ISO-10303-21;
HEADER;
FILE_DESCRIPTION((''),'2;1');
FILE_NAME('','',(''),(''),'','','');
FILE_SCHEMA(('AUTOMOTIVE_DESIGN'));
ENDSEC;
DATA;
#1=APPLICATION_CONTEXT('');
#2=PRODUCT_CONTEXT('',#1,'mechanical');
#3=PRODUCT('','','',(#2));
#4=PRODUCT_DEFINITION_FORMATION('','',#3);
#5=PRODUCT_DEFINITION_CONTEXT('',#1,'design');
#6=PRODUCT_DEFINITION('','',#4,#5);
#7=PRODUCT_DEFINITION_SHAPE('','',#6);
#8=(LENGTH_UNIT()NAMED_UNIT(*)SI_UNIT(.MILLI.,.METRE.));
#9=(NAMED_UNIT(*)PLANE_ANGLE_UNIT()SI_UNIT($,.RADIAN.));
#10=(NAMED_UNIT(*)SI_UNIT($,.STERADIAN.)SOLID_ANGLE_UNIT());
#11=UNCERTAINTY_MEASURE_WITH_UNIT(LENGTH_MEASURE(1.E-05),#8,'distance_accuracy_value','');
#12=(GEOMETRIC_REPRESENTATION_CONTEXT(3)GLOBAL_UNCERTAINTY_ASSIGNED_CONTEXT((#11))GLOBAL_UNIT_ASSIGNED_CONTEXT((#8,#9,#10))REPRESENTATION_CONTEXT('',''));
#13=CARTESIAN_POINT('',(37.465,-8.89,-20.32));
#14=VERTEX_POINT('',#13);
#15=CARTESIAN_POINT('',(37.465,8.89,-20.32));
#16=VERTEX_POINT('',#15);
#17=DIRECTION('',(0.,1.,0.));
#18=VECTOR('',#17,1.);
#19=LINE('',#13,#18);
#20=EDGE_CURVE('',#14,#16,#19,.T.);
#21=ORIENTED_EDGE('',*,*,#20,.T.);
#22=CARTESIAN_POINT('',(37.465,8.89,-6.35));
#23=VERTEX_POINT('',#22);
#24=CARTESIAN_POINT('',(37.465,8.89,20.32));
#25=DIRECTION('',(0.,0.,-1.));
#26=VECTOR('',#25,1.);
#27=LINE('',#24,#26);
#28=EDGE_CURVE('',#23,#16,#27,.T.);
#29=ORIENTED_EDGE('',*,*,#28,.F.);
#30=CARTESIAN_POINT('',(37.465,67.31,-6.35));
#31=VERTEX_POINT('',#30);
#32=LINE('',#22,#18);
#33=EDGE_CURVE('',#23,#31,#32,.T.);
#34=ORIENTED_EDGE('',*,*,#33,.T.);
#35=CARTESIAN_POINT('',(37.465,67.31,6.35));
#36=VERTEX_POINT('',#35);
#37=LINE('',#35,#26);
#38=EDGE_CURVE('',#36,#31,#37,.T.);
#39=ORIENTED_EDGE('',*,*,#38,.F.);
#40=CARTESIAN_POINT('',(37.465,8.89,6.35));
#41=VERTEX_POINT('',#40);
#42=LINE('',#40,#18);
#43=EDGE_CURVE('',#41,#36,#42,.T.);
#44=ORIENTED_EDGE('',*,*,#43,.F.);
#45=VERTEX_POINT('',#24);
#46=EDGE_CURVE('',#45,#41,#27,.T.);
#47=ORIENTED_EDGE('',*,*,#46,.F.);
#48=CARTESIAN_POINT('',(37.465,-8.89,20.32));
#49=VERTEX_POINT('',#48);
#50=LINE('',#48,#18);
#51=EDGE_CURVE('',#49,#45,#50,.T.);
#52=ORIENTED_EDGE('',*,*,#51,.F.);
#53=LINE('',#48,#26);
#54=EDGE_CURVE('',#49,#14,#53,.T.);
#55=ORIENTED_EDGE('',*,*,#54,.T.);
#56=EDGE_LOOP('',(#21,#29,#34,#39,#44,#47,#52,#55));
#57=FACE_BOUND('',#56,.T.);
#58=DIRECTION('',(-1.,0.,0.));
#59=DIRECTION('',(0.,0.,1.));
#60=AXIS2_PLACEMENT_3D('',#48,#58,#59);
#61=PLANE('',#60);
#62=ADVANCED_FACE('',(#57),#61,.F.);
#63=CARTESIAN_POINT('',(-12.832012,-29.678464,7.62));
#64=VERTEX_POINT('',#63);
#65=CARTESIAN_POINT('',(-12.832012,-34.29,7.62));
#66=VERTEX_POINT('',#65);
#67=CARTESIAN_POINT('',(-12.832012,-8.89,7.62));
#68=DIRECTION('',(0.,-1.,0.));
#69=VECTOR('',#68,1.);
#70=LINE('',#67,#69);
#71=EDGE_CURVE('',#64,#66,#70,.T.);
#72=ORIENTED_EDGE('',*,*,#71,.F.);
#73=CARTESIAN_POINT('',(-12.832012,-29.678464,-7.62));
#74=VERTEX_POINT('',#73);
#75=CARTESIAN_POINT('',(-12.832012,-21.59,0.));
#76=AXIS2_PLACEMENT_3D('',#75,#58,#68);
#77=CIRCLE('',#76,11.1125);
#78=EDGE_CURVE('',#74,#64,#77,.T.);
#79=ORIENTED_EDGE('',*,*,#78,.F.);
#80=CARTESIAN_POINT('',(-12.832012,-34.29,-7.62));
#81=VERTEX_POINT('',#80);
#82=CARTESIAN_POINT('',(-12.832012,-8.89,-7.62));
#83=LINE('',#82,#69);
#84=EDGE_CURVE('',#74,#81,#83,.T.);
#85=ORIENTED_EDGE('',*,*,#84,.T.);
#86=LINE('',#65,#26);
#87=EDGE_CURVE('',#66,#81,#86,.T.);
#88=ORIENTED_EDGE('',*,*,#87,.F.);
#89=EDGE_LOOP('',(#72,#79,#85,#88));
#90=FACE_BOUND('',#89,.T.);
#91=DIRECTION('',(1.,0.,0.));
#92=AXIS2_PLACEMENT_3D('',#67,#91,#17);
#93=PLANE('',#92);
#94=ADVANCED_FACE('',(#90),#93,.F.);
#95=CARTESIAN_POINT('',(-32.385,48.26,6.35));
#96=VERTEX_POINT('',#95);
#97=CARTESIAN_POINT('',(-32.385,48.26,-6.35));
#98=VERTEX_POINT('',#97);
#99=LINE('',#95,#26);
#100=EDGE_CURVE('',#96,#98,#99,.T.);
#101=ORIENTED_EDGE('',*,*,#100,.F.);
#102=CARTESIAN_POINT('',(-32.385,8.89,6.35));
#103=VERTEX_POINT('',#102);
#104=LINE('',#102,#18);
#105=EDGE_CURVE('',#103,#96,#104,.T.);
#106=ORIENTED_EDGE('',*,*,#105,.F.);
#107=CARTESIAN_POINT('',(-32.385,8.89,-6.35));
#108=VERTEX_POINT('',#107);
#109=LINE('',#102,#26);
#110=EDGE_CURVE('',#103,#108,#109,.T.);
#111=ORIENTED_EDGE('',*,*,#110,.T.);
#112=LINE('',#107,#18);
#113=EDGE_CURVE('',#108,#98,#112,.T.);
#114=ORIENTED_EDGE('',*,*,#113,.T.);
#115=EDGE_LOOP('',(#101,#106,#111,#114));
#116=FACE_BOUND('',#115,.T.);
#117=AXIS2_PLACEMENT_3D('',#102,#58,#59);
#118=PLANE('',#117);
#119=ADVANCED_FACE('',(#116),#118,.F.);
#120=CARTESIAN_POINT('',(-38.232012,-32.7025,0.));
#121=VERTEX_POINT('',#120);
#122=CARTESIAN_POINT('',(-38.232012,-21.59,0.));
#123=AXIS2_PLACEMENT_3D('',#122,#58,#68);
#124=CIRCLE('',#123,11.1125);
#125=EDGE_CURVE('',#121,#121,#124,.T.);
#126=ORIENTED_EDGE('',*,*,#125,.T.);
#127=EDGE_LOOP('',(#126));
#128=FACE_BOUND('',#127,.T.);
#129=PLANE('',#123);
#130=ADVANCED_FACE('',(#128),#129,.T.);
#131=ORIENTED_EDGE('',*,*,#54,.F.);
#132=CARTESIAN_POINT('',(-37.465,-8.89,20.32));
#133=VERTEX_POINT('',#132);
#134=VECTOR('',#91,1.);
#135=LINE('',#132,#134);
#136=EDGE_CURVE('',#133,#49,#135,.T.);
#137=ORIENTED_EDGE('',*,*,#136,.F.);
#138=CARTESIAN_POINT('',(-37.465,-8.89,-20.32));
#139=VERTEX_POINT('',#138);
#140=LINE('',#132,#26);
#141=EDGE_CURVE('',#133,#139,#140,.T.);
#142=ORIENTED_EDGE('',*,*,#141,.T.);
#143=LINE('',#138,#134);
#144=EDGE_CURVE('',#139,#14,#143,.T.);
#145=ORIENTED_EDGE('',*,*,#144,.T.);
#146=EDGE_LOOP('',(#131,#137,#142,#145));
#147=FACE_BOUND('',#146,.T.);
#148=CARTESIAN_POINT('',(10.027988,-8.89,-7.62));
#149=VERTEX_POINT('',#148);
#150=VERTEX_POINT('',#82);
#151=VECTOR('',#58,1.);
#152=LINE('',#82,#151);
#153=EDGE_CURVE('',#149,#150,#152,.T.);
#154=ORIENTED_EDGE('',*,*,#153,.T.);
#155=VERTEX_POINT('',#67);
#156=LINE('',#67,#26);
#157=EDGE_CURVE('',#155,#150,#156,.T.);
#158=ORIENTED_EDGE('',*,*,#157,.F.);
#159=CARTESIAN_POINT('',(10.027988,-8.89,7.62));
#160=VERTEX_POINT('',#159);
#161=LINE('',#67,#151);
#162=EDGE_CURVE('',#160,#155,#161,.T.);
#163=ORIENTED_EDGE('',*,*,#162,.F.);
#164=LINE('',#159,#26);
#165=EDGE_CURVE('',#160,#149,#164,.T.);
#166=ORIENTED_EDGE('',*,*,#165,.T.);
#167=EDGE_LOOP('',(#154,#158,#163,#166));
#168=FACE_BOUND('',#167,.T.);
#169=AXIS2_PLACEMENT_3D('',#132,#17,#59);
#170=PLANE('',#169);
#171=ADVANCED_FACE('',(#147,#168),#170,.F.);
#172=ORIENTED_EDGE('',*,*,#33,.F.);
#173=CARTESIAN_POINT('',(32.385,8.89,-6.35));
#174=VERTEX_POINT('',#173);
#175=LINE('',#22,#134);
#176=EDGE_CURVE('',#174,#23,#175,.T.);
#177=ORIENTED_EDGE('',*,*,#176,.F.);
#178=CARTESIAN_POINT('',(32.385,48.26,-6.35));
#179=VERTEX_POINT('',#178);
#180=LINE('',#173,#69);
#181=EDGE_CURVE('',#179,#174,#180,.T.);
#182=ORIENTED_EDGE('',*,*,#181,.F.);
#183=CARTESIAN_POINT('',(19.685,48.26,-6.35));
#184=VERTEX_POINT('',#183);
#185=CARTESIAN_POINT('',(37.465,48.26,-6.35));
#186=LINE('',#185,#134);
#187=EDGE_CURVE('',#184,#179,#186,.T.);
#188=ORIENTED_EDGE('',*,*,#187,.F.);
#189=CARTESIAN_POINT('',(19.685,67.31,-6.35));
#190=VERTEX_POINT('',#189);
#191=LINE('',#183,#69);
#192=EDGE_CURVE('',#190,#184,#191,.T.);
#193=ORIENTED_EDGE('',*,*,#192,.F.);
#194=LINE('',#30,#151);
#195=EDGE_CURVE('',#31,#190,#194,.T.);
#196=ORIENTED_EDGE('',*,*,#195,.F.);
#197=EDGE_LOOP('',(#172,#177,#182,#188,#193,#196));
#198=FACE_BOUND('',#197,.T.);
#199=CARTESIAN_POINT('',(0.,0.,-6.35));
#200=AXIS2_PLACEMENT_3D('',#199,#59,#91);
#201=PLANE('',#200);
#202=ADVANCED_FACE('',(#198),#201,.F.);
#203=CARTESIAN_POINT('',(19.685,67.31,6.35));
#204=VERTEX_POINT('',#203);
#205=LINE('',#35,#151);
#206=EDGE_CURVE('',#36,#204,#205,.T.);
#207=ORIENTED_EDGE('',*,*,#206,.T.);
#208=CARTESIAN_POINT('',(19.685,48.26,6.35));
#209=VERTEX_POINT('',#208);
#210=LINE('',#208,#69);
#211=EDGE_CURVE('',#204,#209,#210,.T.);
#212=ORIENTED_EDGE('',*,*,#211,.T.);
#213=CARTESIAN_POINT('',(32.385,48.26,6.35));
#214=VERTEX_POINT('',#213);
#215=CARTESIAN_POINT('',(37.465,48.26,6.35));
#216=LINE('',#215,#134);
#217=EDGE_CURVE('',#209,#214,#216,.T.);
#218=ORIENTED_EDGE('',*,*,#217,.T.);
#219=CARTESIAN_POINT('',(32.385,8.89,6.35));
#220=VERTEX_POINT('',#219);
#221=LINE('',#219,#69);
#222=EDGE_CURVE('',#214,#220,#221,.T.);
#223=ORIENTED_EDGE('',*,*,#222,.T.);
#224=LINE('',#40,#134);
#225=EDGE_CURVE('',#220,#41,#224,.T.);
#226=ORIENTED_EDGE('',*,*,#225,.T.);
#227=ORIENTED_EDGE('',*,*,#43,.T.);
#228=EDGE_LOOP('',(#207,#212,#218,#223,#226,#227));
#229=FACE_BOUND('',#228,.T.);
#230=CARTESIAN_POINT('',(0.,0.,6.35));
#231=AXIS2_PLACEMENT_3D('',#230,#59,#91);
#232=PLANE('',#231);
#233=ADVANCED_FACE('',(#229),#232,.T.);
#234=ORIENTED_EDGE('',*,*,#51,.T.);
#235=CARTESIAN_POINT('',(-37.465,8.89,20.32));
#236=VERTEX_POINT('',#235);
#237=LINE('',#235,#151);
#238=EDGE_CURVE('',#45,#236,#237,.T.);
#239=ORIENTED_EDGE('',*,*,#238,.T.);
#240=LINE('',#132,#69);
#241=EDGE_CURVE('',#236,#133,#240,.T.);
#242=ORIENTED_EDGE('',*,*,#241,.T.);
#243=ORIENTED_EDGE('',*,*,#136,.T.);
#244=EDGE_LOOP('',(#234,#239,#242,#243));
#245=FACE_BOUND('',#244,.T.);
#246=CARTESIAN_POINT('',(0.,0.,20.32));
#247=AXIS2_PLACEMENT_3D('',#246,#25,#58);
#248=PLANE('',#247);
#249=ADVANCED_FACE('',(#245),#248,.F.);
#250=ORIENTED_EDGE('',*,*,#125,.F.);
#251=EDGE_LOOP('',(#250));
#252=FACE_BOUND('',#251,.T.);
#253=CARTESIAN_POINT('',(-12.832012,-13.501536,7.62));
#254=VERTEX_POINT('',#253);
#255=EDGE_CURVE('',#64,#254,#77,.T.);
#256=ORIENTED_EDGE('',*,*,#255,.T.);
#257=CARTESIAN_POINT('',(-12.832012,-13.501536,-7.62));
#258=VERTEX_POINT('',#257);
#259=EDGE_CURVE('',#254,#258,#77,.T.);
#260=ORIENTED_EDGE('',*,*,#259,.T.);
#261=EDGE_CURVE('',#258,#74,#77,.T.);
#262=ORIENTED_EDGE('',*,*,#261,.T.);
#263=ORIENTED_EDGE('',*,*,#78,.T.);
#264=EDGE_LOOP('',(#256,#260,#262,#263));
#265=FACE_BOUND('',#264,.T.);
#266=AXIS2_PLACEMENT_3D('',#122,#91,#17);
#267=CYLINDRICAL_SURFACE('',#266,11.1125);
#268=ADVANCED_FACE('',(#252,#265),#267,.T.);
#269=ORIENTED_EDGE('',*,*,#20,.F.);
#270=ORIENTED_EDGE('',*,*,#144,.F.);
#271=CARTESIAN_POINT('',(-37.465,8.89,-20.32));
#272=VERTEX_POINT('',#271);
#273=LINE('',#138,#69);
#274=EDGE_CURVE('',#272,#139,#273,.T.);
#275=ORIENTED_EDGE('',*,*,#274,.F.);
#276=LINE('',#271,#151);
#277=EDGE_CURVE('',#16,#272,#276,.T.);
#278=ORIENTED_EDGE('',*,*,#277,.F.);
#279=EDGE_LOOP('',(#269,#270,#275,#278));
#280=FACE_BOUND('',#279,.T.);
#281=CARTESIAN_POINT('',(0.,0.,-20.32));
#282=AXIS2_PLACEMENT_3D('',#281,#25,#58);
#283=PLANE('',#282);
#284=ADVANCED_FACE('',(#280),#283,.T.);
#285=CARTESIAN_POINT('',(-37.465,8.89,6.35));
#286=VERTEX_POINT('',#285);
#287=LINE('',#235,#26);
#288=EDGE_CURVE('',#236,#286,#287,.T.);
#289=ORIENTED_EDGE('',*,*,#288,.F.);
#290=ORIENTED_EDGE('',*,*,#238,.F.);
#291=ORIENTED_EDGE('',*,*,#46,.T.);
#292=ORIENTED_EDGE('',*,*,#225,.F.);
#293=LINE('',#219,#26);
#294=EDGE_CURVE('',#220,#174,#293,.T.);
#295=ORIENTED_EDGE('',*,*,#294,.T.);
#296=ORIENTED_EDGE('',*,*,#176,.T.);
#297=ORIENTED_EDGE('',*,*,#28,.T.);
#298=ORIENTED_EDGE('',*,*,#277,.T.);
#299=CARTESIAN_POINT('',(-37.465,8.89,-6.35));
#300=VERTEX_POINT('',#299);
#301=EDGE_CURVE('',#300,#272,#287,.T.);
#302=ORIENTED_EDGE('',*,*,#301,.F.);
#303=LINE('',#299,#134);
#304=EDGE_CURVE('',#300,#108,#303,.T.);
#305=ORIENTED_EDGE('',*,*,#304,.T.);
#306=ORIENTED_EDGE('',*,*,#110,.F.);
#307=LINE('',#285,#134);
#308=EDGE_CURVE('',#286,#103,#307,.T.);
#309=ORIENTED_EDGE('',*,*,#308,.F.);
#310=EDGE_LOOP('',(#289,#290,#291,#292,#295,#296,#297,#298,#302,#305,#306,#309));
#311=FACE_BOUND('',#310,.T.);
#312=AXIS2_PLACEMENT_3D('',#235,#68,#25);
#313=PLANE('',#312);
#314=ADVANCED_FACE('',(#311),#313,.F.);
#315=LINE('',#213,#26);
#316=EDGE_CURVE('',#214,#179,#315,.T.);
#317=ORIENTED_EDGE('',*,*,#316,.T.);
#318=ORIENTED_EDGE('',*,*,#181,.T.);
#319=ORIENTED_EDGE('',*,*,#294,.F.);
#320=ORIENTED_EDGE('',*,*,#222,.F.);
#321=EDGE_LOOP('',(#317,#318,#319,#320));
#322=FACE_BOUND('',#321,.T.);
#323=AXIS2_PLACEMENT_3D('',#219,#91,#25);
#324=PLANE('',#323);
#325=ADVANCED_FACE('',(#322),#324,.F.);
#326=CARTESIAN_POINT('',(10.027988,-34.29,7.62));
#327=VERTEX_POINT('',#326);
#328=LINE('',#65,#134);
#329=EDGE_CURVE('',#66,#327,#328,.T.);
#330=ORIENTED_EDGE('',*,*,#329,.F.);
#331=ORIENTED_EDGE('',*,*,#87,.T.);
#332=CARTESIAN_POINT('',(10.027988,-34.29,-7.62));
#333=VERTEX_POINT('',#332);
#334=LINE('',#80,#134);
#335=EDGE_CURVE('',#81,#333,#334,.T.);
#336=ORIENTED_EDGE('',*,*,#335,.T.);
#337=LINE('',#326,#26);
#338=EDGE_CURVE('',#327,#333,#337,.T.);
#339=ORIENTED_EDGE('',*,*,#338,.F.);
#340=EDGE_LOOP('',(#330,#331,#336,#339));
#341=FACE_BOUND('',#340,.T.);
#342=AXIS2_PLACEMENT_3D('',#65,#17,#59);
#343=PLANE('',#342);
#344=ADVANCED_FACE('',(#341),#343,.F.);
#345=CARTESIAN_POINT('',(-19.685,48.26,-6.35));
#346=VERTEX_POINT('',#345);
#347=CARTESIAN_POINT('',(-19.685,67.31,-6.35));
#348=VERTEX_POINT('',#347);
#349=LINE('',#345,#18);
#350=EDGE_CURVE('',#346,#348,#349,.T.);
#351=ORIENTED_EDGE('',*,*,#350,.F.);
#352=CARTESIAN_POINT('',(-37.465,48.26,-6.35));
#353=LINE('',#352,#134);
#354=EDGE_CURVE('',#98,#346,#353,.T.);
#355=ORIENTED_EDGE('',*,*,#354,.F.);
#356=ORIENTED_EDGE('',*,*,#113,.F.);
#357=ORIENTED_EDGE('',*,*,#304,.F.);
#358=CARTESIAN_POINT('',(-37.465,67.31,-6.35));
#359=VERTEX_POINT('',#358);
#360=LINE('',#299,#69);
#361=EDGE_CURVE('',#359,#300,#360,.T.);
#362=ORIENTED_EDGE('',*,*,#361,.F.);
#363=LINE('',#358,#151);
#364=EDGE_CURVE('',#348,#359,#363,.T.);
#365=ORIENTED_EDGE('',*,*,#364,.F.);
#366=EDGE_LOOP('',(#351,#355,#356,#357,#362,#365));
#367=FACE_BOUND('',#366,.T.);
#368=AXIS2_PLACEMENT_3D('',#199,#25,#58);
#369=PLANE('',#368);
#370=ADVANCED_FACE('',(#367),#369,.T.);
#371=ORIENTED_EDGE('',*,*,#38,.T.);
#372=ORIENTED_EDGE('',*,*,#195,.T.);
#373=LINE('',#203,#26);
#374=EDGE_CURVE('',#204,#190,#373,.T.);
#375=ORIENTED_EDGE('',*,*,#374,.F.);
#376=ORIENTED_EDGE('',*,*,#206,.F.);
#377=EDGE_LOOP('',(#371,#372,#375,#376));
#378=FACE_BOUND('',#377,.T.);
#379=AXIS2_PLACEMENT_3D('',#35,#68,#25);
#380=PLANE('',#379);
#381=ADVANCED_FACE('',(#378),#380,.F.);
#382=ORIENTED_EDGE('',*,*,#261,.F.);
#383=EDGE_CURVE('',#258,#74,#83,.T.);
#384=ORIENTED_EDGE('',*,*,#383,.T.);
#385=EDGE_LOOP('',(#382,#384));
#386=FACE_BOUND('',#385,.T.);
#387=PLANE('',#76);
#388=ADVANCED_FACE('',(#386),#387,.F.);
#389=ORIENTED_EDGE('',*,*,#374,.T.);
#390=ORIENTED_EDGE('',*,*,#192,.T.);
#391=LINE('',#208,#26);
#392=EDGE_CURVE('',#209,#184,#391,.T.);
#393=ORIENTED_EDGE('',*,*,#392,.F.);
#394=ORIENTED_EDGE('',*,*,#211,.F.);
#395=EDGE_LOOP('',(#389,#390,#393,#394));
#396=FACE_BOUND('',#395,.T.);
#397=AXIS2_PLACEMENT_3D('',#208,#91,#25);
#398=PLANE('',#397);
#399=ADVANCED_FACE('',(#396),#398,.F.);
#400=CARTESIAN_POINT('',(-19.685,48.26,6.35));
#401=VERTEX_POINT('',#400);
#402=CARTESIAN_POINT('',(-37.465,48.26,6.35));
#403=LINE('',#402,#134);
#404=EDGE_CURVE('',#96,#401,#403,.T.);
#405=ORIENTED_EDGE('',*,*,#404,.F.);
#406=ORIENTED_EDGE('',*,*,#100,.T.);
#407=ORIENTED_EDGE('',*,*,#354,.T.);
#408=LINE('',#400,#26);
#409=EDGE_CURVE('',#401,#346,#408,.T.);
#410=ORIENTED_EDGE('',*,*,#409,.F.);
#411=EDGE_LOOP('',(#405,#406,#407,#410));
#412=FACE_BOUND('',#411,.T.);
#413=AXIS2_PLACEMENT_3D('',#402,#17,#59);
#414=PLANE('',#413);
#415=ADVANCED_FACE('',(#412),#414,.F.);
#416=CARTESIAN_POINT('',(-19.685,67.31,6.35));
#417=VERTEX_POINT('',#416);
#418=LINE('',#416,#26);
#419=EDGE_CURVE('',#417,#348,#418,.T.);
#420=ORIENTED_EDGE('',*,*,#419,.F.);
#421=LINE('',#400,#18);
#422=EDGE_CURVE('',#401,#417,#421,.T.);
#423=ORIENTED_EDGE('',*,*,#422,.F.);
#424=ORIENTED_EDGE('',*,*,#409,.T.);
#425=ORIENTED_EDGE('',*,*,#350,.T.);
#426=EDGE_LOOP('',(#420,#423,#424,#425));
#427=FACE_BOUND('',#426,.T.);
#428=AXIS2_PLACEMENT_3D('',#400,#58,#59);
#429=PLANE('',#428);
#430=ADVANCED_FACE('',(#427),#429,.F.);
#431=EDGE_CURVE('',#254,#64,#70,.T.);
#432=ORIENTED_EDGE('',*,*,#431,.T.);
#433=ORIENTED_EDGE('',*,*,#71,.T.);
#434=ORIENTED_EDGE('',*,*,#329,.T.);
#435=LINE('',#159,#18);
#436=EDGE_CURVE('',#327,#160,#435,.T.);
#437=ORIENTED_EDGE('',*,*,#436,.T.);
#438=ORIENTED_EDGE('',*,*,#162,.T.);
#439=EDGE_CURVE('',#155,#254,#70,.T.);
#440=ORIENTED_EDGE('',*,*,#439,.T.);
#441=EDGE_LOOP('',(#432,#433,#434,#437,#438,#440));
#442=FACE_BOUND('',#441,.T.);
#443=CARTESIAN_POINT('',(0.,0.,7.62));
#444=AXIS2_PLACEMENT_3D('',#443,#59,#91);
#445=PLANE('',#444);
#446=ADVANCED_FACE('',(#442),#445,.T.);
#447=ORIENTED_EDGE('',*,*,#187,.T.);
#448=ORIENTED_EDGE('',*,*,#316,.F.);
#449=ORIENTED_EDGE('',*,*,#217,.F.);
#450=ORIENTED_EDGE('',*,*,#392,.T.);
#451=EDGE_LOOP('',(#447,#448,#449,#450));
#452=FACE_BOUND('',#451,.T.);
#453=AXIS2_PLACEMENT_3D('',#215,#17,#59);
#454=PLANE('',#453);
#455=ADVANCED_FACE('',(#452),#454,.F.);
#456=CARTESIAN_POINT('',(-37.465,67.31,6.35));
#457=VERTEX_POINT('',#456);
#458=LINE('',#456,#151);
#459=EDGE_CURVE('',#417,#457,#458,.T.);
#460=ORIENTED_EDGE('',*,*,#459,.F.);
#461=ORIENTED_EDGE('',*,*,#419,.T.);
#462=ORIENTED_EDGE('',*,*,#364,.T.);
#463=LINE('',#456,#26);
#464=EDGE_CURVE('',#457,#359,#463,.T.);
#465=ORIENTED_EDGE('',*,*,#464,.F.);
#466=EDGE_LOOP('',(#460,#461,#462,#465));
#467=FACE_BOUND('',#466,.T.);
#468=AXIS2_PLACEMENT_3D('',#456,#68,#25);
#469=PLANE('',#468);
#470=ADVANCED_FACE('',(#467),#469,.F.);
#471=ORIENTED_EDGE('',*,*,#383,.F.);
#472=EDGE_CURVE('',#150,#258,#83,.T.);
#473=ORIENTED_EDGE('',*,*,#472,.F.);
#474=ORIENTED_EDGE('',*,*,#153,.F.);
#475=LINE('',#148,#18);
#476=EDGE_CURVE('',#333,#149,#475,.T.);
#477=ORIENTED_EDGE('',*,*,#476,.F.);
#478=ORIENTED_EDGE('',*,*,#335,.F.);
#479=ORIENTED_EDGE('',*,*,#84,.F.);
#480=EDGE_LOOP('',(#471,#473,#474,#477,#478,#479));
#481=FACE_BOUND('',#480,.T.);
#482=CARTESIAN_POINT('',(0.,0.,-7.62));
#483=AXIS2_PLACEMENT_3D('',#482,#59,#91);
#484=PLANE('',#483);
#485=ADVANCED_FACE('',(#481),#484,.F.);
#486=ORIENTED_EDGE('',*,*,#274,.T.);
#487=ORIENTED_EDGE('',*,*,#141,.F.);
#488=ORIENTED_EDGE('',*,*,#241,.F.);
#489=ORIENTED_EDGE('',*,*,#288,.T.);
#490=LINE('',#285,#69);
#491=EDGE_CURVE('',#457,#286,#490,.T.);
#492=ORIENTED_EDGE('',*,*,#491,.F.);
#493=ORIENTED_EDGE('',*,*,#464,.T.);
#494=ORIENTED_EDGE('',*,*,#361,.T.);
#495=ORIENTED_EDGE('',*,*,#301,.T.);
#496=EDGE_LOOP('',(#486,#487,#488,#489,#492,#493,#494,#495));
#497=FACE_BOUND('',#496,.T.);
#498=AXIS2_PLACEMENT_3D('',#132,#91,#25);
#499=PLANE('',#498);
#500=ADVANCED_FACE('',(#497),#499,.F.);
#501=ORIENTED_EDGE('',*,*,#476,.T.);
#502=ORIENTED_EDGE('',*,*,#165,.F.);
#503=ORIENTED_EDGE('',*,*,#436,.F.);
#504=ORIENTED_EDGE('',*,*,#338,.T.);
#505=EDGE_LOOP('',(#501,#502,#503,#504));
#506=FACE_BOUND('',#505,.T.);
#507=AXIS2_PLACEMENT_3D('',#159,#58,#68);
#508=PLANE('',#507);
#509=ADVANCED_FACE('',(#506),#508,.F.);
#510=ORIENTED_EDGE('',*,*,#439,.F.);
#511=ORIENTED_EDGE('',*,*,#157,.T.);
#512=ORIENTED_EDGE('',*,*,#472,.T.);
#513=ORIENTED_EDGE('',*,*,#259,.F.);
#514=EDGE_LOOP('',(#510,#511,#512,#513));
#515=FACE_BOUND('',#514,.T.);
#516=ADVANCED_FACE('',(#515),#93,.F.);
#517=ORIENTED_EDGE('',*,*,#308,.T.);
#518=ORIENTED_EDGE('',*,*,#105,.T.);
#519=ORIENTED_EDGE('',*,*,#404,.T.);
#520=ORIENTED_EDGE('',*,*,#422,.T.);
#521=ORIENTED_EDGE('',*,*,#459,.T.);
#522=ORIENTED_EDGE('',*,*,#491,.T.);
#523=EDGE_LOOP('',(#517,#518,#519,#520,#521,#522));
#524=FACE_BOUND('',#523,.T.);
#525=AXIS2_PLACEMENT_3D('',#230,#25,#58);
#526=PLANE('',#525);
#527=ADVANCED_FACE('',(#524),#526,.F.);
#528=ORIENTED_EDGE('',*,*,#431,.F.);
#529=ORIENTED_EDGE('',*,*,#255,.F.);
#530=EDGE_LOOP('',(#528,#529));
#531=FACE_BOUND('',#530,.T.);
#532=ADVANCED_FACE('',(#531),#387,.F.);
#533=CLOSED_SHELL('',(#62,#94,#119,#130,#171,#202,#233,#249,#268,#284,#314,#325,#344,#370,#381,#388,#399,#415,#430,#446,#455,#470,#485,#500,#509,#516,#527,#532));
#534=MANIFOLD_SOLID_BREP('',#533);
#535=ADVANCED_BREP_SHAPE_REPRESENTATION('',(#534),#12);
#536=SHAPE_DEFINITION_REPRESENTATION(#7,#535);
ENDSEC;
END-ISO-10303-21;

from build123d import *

# Parameters (mm, degrees)
SKETCH1_W           = 74.93
SKETCH1_H           = 17.78
BOSS_EXTRUDE1_DEPTH = 20.32
SKETCH2_W           = 5.08
SKETCH2_H           = 39.37
BOSS_EXTRUDE2_DEPTH = 6.35
SKETCH3_W           = 17.78
SKETCH3_H           = 19.05
BOSS_EXTRUDE3_DEPTH = 6.35
SKETCH5_W           = 22.86
SKETCH5_H           = 25.4
BOSS_EXTRUDE4_DEPTH = 7.62
SKETCH6_R           = 11.1125
BOSS_EXTRUDE5_DEPTH = 25.4


with BuildPart() as part:
    # Sketch1 → Boss-Extrude1 (new, symmetric)
    with BuildSketch(Plane.XY):
        Rectangle(SKETCH1_W, SKETCH1_H)
    extrude(amount=BOSS_EXTRUDE1_DEPTH, both=True)

    # Sketch2 → Boss-Extrude2 (add, symmetric)
    with BuildSketch(Plane.XY):
        with Locations((-34.925, 28.575)):
            Rectangle(SKETCH2_W, SKETCH2_H)
        with Locations((34.925, 28.575)):
            Rectangle(SKETCH2_W, SKETCH2_H)
    extrude(amount=BOSS_EXTRUDE2_DEPTH, both=True)

    # Sketch3 → Boss-Extrude3 (add, symmetric)
    with BuildSketch(Plane.XY):
        with Locations((28.575, 57.785)):
            Rectangle(SKETCH3_W, SKETCH3_H)
        with Locations((-28.575, 57.785)):
            Rectangle(SKETCH3_W, SKETCH3_H)
    extrude(amount=BOSS_EXTRUDE3_DEPTH, both=True)

    # Sketch5 → Boss-Extrude4 (add, symmetric)
    with BuildSketch(Plane.XY):
        with Locations((-1.402012412, -21.59)):
            Rectangle(SKETCH5_W, SKETCH5_H)
    extrude(amount=BOSS_EXTRUDE4_DEPTH, both=True)

    # Sketch6 → Boss-Extrude5 (add)
    with BuildSketch(Plane.ZY.offset(12.832012412)):
        with Locations(Location((0, -21.59, 0), (0, 0, 46.708192407))):
            Circle(SKETCH6_R)
    extrude(amount=BOSS_EXTRUDE5_DEPTH)


solid = part.part
